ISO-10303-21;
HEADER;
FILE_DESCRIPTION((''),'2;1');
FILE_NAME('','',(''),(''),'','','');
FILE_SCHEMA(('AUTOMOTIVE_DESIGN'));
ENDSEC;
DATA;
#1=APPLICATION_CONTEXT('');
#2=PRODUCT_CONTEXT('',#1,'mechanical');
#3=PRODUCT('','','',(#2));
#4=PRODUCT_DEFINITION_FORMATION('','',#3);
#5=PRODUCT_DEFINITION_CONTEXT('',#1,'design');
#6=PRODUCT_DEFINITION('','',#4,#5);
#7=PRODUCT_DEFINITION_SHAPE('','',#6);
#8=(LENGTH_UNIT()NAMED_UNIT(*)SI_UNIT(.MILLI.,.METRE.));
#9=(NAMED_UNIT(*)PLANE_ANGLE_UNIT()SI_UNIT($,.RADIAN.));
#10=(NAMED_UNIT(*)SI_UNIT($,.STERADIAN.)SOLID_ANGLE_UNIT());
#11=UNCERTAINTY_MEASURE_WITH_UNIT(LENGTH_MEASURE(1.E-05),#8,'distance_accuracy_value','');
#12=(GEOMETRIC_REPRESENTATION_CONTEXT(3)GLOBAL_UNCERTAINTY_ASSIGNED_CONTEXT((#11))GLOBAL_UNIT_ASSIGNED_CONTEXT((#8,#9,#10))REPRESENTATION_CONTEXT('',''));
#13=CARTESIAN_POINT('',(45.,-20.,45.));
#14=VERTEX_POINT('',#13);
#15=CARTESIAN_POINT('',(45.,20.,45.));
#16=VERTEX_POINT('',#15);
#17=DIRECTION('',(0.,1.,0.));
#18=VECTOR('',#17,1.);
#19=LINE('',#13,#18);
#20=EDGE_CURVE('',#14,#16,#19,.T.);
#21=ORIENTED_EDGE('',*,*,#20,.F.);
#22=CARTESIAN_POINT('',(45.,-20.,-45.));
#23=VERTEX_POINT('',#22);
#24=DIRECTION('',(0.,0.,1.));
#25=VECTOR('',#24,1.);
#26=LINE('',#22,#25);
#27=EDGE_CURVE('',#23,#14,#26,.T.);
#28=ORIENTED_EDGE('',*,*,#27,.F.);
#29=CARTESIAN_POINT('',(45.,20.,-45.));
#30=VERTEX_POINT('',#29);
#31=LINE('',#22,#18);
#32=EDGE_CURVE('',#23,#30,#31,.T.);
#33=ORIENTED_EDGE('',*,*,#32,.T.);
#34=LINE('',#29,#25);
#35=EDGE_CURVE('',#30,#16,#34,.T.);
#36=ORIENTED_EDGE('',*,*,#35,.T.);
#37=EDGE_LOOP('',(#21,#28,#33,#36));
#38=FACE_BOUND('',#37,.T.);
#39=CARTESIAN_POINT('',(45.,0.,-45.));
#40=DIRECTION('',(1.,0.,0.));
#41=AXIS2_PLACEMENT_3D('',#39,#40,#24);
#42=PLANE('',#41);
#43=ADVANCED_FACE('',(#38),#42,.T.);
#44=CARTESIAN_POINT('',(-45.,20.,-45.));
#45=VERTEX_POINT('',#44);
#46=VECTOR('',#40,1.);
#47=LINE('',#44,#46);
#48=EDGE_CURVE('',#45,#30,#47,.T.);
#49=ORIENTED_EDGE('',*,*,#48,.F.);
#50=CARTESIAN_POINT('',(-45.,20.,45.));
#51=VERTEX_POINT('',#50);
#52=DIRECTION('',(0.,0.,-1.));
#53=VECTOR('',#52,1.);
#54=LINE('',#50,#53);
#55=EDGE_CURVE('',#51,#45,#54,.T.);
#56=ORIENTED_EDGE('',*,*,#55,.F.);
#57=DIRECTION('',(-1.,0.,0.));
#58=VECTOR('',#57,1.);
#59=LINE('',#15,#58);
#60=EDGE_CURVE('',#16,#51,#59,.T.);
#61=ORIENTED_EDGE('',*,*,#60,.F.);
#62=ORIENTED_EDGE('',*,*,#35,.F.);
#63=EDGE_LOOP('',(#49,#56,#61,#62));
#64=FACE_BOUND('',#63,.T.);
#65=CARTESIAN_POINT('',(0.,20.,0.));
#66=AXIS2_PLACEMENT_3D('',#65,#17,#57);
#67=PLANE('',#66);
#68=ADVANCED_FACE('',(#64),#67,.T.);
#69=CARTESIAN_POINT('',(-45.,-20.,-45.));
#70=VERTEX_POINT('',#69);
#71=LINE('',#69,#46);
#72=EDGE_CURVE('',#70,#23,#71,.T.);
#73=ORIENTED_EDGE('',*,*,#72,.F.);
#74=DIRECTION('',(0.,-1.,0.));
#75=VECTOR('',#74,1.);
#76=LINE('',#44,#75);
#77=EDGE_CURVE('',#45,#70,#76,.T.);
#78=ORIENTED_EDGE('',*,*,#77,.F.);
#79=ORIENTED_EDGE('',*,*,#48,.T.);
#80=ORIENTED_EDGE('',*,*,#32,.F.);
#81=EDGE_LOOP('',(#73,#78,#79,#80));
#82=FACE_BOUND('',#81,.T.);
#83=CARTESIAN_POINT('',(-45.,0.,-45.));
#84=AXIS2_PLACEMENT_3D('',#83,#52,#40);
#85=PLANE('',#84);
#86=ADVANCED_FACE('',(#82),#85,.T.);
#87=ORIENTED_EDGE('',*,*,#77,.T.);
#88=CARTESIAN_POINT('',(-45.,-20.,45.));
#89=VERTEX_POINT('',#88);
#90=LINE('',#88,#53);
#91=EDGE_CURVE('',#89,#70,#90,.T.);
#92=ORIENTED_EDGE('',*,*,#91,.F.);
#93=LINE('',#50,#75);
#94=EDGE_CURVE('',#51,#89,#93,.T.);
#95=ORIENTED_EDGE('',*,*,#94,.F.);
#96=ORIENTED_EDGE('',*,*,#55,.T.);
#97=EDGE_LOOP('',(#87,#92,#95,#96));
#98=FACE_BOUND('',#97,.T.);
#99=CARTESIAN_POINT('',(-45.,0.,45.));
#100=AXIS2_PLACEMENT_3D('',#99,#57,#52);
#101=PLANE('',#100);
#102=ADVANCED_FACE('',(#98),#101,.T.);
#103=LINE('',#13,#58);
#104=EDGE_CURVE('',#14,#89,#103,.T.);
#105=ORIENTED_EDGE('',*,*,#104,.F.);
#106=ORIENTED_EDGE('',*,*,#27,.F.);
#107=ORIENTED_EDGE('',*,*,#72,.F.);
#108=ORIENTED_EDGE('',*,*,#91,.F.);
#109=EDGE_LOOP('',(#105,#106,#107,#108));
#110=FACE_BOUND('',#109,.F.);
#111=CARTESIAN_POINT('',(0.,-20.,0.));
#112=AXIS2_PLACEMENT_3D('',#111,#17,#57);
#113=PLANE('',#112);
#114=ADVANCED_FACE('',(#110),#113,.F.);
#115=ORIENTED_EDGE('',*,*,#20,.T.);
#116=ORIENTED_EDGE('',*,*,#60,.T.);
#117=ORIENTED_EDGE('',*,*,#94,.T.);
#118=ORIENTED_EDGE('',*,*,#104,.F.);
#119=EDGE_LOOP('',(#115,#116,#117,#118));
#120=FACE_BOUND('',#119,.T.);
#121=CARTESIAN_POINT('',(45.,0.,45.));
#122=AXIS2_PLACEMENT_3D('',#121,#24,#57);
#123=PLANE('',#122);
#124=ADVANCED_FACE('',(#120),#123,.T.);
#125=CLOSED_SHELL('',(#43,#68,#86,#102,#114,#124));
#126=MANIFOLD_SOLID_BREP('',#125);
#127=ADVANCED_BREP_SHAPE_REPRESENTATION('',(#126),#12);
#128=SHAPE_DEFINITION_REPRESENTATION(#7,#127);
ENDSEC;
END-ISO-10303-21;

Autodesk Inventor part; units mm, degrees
ref_plane "YZ Plane" through (0, 0, 0) normal (1, 0, 0) x (0, 1, 0)
ref_plane "XZ Plane" through (0, 0, 0) normal (0, 1, 0) x (-1, 0, 0)
ref_plane "XY Plane" through (0, 0, 0) normal (0, 0, 1) x (1, 0, 0)
sketch "Sketch1" plane through (0, 0, 0) normal (0, 1, 0) x (-1, 0, 0)
  line L0 (-45, 45) -> (45, 45)
  line L1 (45, 45) -> (45, -45)
  line L2 (45, -45) -> (-45, -45)
  line L3 (-45, -45) -> (-45, 45)
  line L4 (-45, 45) -> (45, -45) construction
  line L5 (45, 45) -> (-45, -45) construction
  point P0 (0, 0)
  dimension "d0" = 90
  dimension "d1" = 90
extrude "Extrusion1" add sketch "Sketch1" along normal mid plane 40
equation "\"d0\" = stock_xw"
equation "\"d1\" = stock_yw"
equation "\"d2\" = stock_zw"
equation "\"stock_xw\" = 90"
equation "\"stock_yw\" = 90"
equation "\"stock_zw\" = 40"
properties part number "SquareStock"
